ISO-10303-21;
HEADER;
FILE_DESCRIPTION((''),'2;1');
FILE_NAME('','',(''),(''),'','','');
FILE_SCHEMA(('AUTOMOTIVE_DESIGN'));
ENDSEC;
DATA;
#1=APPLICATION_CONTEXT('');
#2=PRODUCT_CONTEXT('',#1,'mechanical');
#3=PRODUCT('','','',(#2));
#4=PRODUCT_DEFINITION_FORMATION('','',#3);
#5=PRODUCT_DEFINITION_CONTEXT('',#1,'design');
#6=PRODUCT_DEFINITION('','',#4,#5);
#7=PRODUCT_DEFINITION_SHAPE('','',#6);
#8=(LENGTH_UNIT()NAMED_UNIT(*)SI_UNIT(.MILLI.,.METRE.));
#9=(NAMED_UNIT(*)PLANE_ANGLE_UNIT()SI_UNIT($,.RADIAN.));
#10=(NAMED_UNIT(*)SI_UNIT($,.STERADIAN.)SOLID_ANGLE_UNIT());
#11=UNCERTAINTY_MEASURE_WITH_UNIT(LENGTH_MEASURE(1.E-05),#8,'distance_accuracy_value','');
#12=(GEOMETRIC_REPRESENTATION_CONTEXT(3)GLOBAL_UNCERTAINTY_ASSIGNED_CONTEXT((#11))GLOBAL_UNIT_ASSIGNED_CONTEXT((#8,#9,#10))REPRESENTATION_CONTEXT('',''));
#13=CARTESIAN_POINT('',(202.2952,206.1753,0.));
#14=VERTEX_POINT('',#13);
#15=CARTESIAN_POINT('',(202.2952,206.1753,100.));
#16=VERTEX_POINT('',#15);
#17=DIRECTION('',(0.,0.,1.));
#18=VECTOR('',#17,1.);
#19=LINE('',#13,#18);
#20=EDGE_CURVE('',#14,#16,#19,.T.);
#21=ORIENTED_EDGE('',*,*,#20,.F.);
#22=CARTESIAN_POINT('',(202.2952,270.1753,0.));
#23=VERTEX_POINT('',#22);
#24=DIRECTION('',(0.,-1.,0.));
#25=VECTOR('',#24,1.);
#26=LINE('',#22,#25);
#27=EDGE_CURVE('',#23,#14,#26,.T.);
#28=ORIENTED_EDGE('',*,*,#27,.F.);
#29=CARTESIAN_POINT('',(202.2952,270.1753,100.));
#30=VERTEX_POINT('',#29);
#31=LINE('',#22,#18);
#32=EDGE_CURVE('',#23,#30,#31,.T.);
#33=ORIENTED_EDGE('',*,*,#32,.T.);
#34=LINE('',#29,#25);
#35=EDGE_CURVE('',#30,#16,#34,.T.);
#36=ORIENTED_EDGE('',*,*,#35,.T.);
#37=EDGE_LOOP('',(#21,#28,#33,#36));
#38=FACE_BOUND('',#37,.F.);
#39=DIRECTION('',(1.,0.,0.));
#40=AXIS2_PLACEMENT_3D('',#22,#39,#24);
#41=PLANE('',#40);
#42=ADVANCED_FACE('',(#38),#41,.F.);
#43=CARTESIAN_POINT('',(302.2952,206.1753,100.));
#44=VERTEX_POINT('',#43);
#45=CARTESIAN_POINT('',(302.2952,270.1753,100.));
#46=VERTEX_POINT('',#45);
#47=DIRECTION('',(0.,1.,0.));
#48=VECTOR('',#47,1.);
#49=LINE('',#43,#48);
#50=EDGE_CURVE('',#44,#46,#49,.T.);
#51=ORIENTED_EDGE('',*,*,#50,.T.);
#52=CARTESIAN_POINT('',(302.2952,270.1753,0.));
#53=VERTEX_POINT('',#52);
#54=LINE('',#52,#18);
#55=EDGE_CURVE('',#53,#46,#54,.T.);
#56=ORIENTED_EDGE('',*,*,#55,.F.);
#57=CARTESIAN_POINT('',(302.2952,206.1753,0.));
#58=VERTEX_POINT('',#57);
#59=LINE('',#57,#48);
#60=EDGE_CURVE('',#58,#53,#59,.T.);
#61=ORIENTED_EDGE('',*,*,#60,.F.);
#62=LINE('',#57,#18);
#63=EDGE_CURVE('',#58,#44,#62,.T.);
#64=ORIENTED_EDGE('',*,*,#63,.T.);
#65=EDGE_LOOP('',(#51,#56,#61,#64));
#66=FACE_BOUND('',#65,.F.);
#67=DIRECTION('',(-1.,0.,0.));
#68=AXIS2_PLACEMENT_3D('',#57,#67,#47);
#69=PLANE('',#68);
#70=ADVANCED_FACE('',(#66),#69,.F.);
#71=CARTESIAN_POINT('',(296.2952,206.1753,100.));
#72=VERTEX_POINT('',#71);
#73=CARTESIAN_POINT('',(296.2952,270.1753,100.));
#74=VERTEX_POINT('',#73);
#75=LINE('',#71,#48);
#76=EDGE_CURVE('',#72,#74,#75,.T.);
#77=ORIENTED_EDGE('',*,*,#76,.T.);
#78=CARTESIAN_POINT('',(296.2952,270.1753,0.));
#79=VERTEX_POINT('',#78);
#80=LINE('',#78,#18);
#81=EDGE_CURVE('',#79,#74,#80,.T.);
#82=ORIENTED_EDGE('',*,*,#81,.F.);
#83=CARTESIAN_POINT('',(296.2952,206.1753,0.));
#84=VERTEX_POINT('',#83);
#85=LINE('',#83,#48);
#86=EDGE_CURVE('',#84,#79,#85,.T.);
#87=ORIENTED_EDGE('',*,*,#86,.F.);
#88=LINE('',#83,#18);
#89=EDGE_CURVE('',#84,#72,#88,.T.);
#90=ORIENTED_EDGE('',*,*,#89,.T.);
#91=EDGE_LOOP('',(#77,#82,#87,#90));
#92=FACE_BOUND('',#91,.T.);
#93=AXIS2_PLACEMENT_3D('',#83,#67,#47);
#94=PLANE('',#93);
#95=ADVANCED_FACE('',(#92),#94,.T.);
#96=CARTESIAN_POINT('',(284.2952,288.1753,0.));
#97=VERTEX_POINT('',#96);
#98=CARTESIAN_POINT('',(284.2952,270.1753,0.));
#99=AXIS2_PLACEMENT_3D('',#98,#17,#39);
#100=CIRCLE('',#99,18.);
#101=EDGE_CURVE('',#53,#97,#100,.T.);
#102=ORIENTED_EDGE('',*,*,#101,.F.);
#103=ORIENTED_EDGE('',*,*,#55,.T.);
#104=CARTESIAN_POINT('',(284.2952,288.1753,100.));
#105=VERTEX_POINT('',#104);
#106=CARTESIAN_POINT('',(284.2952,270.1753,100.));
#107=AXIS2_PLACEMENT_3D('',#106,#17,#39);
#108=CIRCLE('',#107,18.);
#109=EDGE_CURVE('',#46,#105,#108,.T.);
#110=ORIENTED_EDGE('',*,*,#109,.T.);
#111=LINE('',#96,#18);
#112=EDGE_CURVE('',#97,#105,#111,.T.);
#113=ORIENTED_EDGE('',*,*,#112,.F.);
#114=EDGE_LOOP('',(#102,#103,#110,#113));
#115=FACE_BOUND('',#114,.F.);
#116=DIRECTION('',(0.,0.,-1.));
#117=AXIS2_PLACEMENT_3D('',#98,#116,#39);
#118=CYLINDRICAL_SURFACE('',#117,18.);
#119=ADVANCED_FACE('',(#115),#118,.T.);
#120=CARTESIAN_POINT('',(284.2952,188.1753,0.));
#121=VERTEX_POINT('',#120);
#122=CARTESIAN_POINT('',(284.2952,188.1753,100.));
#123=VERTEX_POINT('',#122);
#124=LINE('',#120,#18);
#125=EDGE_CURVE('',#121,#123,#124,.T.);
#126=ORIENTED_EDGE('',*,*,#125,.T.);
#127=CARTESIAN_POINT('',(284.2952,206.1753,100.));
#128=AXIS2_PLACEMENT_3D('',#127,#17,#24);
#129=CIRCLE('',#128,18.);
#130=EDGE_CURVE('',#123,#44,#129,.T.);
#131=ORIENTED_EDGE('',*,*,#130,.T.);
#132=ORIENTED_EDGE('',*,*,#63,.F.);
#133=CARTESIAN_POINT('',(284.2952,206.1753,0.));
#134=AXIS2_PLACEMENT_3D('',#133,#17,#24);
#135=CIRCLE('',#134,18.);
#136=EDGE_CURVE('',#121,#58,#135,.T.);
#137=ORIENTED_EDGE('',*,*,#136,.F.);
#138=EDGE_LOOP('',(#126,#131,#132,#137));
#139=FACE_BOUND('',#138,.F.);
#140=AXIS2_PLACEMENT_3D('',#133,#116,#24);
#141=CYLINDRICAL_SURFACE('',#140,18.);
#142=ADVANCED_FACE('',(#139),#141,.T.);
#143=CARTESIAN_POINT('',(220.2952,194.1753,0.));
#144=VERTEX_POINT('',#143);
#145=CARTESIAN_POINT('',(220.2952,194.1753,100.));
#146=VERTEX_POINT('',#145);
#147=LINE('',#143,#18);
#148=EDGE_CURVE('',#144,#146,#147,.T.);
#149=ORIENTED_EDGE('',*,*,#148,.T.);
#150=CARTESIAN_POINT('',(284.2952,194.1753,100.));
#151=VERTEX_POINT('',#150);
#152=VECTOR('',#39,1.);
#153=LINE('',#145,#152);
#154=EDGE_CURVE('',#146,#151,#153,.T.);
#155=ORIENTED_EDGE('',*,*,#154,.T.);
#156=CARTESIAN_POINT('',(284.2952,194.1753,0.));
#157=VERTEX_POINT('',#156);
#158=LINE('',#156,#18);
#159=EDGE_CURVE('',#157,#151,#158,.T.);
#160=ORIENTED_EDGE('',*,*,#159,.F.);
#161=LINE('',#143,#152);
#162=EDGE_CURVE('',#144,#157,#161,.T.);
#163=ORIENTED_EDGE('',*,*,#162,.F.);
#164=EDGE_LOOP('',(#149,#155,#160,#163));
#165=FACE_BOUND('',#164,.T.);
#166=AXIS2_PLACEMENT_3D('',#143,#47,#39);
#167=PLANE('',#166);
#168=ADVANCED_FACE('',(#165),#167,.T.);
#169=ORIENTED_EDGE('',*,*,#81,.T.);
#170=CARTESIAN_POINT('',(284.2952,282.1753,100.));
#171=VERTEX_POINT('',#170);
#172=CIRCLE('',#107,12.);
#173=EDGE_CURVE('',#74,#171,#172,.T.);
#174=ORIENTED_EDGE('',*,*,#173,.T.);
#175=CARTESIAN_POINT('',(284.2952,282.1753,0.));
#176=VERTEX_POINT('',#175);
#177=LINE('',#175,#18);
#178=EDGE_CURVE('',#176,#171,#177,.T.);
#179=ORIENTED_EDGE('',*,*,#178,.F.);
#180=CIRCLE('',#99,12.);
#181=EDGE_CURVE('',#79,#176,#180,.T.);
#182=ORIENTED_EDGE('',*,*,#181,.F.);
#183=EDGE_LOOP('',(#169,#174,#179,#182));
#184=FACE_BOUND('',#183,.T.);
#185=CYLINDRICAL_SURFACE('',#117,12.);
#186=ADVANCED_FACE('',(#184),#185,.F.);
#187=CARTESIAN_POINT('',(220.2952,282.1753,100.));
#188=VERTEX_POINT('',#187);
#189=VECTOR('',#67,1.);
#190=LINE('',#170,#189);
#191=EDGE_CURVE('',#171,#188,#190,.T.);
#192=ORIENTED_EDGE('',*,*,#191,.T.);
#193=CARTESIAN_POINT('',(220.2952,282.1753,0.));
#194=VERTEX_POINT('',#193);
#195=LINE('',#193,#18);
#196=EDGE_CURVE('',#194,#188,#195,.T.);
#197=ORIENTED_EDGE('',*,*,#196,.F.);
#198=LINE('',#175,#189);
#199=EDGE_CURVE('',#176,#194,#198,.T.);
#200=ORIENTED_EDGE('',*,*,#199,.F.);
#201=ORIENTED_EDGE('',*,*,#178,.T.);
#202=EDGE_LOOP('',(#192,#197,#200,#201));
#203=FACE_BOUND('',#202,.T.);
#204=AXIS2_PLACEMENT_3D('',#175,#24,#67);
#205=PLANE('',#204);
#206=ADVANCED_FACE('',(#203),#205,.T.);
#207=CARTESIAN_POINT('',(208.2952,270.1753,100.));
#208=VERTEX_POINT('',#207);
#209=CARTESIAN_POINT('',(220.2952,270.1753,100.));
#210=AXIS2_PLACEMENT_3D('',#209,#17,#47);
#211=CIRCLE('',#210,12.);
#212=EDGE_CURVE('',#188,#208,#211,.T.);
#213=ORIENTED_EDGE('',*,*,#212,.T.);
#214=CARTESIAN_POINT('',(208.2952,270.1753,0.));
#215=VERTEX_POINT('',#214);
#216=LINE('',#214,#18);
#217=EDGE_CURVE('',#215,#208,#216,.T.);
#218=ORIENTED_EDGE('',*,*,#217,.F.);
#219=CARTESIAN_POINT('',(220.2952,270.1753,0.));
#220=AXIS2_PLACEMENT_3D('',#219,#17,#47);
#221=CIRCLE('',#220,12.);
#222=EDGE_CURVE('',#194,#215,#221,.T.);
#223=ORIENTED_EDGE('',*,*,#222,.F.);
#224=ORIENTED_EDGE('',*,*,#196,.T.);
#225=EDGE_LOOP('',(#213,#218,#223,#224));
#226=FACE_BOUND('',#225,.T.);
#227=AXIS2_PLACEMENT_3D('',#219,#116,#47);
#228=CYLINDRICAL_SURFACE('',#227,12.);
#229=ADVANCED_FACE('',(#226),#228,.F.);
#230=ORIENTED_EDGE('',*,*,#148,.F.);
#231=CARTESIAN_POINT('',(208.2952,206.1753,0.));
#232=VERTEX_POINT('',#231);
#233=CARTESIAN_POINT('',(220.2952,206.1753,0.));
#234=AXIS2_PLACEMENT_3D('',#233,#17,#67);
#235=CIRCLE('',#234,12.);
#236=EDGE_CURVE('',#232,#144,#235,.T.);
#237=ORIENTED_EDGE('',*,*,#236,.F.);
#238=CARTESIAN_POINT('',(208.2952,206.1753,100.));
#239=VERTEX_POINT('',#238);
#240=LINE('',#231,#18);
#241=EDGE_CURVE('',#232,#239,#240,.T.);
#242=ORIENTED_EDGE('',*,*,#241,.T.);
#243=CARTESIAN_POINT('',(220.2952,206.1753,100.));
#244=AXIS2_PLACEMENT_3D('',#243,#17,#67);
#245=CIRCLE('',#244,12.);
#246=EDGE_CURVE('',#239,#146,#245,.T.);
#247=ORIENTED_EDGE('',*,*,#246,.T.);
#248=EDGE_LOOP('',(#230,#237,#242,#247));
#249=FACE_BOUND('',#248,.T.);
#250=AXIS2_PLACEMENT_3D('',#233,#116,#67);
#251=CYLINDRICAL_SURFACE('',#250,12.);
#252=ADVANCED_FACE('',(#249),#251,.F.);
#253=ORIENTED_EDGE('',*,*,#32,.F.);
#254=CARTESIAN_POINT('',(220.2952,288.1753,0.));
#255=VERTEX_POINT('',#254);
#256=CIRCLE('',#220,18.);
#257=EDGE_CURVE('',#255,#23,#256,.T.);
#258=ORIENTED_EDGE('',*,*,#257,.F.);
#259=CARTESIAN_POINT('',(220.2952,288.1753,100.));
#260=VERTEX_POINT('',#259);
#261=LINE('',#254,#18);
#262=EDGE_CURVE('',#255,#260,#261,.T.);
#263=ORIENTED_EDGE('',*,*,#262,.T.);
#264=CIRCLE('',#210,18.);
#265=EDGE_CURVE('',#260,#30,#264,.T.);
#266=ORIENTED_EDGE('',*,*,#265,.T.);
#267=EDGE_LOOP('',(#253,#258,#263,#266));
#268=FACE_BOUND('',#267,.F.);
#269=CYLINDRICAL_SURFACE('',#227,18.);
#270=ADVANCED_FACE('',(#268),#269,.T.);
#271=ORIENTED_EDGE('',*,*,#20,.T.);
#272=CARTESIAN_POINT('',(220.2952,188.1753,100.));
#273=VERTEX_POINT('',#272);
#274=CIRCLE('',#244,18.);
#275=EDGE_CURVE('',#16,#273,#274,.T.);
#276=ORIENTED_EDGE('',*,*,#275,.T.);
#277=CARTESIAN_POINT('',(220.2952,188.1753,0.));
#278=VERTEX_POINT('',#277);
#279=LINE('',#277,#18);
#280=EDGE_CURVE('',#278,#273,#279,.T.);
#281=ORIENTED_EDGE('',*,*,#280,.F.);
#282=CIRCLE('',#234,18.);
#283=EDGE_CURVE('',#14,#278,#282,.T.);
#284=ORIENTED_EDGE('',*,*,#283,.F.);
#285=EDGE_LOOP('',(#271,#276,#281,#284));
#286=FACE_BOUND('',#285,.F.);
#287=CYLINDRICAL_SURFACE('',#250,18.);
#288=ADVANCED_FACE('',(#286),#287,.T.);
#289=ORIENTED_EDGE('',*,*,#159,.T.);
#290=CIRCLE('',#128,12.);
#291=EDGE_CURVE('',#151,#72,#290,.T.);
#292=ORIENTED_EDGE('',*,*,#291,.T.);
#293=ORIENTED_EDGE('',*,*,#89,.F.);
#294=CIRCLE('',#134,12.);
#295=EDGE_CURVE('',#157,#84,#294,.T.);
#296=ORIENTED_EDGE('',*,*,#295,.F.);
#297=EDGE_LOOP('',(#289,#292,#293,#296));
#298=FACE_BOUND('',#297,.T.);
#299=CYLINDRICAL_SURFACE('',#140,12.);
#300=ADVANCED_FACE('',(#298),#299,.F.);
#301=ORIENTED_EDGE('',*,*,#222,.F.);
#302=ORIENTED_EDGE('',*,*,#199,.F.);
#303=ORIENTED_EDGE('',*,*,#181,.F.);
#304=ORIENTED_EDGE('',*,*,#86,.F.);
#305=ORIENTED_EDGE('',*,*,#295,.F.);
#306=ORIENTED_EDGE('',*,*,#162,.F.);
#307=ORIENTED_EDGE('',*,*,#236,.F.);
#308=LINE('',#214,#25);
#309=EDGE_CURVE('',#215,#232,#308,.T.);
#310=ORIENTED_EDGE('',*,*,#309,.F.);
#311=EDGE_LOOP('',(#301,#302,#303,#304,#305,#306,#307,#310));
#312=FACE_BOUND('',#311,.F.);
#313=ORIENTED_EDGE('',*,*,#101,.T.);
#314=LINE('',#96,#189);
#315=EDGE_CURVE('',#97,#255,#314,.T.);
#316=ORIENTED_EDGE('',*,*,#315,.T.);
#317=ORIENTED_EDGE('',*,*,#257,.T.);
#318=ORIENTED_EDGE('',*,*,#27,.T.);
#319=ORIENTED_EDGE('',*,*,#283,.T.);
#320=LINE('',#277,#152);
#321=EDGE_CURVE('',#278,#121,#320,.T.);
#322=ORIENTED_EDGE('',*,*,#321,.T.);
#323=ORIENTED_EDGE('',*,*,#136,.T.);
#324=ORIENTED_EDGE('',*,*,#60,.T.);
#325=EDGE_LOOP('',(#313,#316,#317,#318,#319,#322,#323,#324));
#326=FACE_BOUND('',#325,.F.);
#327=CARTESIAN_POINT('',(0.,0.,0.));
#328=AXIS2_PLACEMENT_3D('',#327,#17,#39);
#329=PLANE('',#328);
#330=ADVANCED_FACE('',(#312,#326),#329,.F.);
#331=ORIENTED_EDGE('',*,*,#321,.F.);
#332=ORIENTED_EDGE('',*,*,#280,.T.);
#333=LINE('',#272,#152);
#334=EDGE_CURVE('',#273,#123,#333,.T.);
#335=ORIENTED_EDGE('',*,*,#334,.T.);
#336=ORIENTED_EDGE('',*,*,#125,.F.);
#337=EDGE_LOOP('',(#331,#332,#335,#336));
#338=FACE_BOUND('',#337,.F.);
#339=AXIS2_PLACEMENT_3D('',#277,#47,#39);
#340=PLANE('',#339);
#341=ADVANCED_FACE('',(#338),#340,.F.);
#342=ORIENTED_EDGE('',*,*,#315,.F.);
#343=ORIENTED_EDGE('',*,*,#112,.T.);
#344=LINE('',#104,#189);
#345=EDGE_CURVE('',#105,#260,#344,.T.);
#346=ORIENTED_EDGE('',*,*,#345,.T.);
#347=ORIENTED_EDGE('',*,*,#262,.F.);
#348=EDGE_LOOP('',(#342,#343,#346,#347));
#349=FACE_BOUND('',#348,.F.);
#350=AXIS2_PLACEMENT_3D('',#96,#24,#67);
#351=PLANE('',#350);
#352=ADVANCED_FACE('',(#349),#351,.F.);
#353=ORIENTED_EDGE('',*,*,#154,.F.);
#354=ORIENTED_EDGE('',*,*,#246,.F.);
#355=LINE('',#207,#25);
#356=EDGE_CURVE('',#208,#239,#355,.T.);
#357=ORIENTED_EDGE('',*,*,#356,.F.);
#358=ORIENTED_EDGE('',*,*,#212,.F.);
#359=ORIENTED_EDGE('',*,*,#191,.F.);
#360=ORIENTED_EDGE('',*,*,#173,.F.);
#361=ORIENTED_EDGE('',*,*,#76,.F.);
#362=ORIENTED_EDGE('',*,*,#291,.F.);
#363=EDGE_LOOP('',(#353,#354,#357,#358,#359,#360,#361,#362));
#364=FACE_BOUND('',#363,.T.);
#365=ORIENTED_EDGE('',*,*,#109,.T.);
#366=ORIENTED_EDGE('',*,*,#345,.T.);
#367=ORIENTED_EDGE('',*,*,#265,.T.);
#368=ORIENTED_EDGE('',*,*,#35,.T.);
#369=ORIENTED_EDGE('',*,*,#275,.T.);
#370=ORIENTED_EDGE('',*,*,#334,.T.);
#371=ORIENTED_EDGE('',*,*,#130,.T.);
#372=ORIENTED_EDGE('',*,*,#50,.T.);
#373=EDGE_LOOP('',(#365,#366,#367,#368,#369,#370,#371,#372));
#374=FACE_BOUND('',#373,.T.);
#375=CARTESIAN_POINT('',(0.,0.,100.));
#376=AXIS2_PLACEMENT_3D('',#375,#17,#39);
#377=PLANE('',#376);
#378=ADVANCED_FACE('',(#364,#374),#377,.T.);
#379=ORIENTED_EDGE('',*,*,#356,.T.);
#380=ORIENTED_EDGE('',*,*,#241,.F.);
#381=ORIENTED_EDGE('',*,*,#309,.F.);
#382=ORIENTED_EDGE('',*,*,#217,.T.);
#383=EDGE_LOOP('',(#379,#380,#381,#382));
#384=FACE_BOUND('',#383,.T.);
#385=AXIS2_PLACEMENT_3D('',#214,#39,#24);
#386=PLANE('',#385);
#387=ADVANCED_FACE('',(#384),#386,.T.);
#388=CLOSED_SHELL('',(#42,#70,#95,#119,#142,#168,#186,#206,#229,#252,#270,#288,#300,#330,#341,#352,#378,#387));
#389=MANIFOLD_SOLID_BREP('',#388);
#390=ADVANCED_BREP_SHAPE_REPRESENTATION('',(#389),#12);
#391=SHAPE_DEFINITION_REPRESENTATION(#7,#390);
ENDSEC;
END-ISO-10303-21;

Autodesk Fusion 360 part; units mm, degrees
sketch "スケッチ1" plane through (0, 0, 0) normal (0, 0, 1) x (1, 0, 0)
  line L0 (220.2952, 188.1753) -> (284.2952, 188.1753)
  line L1 (220.2952, 194.1753) -> (284.2952, 194.1753)
  line L2 (284.2952, 288.1753) -> (220.2952, 288.1753)
  line L3 (284.2952, 282.1753) -> (220.2952, 282.1753)
  arc A0 (220.2952, 288.1753) -> (202.2952, 270.1753) centre (220.2952, 270.1753) ccw
  arc A1 (220.2952, 282.1753) -> (208.2952, 270.1753) centre (220.2952, 270.1753) ccw
  line L4 (202.2952, 270.1753) -> (202.2952, 206.1753)
  line L5 (208.2952, 270.1753) -> (208.2952, 206.1753)
  arc A2 (202.2952, 206.1753) -> (220.2952, 188.1753) centre (220.2952, 206.1753) ccw
  arc A3 (208.2952, 206.1753) -> (220.2952, 194.1753) centre (220.2952, 206.1753) ccw
  arc A4 (302.2952, 270.1753) -> (284.2952, 288.1753) centre (284.2952, 270.1753) ccw
  arc A5 (296.2952, 270.1753) -> (284.2952, 282.1753) centre (284.2952, 270.1753) ccw
  line L6 (302.2952, 206.1753) -> (302.2952, 270.1753)
  line L7 (296.2952, 206.1753) -> (296.2952, 270.1753)
  arc A6 (284.2952, 188.1753) -> (302.2952, 206.1753) centre (284.2952, 206.1753) ccw
  arc A7 (284.2952, 194.1753) -> (296.2952, 206.1753) centre (284.2952, 206.1753) ccw
  point P0 (252.2952, 238.1753)
extrude "押し出し1" add sketch "スケッチ1" along normal blind 100
